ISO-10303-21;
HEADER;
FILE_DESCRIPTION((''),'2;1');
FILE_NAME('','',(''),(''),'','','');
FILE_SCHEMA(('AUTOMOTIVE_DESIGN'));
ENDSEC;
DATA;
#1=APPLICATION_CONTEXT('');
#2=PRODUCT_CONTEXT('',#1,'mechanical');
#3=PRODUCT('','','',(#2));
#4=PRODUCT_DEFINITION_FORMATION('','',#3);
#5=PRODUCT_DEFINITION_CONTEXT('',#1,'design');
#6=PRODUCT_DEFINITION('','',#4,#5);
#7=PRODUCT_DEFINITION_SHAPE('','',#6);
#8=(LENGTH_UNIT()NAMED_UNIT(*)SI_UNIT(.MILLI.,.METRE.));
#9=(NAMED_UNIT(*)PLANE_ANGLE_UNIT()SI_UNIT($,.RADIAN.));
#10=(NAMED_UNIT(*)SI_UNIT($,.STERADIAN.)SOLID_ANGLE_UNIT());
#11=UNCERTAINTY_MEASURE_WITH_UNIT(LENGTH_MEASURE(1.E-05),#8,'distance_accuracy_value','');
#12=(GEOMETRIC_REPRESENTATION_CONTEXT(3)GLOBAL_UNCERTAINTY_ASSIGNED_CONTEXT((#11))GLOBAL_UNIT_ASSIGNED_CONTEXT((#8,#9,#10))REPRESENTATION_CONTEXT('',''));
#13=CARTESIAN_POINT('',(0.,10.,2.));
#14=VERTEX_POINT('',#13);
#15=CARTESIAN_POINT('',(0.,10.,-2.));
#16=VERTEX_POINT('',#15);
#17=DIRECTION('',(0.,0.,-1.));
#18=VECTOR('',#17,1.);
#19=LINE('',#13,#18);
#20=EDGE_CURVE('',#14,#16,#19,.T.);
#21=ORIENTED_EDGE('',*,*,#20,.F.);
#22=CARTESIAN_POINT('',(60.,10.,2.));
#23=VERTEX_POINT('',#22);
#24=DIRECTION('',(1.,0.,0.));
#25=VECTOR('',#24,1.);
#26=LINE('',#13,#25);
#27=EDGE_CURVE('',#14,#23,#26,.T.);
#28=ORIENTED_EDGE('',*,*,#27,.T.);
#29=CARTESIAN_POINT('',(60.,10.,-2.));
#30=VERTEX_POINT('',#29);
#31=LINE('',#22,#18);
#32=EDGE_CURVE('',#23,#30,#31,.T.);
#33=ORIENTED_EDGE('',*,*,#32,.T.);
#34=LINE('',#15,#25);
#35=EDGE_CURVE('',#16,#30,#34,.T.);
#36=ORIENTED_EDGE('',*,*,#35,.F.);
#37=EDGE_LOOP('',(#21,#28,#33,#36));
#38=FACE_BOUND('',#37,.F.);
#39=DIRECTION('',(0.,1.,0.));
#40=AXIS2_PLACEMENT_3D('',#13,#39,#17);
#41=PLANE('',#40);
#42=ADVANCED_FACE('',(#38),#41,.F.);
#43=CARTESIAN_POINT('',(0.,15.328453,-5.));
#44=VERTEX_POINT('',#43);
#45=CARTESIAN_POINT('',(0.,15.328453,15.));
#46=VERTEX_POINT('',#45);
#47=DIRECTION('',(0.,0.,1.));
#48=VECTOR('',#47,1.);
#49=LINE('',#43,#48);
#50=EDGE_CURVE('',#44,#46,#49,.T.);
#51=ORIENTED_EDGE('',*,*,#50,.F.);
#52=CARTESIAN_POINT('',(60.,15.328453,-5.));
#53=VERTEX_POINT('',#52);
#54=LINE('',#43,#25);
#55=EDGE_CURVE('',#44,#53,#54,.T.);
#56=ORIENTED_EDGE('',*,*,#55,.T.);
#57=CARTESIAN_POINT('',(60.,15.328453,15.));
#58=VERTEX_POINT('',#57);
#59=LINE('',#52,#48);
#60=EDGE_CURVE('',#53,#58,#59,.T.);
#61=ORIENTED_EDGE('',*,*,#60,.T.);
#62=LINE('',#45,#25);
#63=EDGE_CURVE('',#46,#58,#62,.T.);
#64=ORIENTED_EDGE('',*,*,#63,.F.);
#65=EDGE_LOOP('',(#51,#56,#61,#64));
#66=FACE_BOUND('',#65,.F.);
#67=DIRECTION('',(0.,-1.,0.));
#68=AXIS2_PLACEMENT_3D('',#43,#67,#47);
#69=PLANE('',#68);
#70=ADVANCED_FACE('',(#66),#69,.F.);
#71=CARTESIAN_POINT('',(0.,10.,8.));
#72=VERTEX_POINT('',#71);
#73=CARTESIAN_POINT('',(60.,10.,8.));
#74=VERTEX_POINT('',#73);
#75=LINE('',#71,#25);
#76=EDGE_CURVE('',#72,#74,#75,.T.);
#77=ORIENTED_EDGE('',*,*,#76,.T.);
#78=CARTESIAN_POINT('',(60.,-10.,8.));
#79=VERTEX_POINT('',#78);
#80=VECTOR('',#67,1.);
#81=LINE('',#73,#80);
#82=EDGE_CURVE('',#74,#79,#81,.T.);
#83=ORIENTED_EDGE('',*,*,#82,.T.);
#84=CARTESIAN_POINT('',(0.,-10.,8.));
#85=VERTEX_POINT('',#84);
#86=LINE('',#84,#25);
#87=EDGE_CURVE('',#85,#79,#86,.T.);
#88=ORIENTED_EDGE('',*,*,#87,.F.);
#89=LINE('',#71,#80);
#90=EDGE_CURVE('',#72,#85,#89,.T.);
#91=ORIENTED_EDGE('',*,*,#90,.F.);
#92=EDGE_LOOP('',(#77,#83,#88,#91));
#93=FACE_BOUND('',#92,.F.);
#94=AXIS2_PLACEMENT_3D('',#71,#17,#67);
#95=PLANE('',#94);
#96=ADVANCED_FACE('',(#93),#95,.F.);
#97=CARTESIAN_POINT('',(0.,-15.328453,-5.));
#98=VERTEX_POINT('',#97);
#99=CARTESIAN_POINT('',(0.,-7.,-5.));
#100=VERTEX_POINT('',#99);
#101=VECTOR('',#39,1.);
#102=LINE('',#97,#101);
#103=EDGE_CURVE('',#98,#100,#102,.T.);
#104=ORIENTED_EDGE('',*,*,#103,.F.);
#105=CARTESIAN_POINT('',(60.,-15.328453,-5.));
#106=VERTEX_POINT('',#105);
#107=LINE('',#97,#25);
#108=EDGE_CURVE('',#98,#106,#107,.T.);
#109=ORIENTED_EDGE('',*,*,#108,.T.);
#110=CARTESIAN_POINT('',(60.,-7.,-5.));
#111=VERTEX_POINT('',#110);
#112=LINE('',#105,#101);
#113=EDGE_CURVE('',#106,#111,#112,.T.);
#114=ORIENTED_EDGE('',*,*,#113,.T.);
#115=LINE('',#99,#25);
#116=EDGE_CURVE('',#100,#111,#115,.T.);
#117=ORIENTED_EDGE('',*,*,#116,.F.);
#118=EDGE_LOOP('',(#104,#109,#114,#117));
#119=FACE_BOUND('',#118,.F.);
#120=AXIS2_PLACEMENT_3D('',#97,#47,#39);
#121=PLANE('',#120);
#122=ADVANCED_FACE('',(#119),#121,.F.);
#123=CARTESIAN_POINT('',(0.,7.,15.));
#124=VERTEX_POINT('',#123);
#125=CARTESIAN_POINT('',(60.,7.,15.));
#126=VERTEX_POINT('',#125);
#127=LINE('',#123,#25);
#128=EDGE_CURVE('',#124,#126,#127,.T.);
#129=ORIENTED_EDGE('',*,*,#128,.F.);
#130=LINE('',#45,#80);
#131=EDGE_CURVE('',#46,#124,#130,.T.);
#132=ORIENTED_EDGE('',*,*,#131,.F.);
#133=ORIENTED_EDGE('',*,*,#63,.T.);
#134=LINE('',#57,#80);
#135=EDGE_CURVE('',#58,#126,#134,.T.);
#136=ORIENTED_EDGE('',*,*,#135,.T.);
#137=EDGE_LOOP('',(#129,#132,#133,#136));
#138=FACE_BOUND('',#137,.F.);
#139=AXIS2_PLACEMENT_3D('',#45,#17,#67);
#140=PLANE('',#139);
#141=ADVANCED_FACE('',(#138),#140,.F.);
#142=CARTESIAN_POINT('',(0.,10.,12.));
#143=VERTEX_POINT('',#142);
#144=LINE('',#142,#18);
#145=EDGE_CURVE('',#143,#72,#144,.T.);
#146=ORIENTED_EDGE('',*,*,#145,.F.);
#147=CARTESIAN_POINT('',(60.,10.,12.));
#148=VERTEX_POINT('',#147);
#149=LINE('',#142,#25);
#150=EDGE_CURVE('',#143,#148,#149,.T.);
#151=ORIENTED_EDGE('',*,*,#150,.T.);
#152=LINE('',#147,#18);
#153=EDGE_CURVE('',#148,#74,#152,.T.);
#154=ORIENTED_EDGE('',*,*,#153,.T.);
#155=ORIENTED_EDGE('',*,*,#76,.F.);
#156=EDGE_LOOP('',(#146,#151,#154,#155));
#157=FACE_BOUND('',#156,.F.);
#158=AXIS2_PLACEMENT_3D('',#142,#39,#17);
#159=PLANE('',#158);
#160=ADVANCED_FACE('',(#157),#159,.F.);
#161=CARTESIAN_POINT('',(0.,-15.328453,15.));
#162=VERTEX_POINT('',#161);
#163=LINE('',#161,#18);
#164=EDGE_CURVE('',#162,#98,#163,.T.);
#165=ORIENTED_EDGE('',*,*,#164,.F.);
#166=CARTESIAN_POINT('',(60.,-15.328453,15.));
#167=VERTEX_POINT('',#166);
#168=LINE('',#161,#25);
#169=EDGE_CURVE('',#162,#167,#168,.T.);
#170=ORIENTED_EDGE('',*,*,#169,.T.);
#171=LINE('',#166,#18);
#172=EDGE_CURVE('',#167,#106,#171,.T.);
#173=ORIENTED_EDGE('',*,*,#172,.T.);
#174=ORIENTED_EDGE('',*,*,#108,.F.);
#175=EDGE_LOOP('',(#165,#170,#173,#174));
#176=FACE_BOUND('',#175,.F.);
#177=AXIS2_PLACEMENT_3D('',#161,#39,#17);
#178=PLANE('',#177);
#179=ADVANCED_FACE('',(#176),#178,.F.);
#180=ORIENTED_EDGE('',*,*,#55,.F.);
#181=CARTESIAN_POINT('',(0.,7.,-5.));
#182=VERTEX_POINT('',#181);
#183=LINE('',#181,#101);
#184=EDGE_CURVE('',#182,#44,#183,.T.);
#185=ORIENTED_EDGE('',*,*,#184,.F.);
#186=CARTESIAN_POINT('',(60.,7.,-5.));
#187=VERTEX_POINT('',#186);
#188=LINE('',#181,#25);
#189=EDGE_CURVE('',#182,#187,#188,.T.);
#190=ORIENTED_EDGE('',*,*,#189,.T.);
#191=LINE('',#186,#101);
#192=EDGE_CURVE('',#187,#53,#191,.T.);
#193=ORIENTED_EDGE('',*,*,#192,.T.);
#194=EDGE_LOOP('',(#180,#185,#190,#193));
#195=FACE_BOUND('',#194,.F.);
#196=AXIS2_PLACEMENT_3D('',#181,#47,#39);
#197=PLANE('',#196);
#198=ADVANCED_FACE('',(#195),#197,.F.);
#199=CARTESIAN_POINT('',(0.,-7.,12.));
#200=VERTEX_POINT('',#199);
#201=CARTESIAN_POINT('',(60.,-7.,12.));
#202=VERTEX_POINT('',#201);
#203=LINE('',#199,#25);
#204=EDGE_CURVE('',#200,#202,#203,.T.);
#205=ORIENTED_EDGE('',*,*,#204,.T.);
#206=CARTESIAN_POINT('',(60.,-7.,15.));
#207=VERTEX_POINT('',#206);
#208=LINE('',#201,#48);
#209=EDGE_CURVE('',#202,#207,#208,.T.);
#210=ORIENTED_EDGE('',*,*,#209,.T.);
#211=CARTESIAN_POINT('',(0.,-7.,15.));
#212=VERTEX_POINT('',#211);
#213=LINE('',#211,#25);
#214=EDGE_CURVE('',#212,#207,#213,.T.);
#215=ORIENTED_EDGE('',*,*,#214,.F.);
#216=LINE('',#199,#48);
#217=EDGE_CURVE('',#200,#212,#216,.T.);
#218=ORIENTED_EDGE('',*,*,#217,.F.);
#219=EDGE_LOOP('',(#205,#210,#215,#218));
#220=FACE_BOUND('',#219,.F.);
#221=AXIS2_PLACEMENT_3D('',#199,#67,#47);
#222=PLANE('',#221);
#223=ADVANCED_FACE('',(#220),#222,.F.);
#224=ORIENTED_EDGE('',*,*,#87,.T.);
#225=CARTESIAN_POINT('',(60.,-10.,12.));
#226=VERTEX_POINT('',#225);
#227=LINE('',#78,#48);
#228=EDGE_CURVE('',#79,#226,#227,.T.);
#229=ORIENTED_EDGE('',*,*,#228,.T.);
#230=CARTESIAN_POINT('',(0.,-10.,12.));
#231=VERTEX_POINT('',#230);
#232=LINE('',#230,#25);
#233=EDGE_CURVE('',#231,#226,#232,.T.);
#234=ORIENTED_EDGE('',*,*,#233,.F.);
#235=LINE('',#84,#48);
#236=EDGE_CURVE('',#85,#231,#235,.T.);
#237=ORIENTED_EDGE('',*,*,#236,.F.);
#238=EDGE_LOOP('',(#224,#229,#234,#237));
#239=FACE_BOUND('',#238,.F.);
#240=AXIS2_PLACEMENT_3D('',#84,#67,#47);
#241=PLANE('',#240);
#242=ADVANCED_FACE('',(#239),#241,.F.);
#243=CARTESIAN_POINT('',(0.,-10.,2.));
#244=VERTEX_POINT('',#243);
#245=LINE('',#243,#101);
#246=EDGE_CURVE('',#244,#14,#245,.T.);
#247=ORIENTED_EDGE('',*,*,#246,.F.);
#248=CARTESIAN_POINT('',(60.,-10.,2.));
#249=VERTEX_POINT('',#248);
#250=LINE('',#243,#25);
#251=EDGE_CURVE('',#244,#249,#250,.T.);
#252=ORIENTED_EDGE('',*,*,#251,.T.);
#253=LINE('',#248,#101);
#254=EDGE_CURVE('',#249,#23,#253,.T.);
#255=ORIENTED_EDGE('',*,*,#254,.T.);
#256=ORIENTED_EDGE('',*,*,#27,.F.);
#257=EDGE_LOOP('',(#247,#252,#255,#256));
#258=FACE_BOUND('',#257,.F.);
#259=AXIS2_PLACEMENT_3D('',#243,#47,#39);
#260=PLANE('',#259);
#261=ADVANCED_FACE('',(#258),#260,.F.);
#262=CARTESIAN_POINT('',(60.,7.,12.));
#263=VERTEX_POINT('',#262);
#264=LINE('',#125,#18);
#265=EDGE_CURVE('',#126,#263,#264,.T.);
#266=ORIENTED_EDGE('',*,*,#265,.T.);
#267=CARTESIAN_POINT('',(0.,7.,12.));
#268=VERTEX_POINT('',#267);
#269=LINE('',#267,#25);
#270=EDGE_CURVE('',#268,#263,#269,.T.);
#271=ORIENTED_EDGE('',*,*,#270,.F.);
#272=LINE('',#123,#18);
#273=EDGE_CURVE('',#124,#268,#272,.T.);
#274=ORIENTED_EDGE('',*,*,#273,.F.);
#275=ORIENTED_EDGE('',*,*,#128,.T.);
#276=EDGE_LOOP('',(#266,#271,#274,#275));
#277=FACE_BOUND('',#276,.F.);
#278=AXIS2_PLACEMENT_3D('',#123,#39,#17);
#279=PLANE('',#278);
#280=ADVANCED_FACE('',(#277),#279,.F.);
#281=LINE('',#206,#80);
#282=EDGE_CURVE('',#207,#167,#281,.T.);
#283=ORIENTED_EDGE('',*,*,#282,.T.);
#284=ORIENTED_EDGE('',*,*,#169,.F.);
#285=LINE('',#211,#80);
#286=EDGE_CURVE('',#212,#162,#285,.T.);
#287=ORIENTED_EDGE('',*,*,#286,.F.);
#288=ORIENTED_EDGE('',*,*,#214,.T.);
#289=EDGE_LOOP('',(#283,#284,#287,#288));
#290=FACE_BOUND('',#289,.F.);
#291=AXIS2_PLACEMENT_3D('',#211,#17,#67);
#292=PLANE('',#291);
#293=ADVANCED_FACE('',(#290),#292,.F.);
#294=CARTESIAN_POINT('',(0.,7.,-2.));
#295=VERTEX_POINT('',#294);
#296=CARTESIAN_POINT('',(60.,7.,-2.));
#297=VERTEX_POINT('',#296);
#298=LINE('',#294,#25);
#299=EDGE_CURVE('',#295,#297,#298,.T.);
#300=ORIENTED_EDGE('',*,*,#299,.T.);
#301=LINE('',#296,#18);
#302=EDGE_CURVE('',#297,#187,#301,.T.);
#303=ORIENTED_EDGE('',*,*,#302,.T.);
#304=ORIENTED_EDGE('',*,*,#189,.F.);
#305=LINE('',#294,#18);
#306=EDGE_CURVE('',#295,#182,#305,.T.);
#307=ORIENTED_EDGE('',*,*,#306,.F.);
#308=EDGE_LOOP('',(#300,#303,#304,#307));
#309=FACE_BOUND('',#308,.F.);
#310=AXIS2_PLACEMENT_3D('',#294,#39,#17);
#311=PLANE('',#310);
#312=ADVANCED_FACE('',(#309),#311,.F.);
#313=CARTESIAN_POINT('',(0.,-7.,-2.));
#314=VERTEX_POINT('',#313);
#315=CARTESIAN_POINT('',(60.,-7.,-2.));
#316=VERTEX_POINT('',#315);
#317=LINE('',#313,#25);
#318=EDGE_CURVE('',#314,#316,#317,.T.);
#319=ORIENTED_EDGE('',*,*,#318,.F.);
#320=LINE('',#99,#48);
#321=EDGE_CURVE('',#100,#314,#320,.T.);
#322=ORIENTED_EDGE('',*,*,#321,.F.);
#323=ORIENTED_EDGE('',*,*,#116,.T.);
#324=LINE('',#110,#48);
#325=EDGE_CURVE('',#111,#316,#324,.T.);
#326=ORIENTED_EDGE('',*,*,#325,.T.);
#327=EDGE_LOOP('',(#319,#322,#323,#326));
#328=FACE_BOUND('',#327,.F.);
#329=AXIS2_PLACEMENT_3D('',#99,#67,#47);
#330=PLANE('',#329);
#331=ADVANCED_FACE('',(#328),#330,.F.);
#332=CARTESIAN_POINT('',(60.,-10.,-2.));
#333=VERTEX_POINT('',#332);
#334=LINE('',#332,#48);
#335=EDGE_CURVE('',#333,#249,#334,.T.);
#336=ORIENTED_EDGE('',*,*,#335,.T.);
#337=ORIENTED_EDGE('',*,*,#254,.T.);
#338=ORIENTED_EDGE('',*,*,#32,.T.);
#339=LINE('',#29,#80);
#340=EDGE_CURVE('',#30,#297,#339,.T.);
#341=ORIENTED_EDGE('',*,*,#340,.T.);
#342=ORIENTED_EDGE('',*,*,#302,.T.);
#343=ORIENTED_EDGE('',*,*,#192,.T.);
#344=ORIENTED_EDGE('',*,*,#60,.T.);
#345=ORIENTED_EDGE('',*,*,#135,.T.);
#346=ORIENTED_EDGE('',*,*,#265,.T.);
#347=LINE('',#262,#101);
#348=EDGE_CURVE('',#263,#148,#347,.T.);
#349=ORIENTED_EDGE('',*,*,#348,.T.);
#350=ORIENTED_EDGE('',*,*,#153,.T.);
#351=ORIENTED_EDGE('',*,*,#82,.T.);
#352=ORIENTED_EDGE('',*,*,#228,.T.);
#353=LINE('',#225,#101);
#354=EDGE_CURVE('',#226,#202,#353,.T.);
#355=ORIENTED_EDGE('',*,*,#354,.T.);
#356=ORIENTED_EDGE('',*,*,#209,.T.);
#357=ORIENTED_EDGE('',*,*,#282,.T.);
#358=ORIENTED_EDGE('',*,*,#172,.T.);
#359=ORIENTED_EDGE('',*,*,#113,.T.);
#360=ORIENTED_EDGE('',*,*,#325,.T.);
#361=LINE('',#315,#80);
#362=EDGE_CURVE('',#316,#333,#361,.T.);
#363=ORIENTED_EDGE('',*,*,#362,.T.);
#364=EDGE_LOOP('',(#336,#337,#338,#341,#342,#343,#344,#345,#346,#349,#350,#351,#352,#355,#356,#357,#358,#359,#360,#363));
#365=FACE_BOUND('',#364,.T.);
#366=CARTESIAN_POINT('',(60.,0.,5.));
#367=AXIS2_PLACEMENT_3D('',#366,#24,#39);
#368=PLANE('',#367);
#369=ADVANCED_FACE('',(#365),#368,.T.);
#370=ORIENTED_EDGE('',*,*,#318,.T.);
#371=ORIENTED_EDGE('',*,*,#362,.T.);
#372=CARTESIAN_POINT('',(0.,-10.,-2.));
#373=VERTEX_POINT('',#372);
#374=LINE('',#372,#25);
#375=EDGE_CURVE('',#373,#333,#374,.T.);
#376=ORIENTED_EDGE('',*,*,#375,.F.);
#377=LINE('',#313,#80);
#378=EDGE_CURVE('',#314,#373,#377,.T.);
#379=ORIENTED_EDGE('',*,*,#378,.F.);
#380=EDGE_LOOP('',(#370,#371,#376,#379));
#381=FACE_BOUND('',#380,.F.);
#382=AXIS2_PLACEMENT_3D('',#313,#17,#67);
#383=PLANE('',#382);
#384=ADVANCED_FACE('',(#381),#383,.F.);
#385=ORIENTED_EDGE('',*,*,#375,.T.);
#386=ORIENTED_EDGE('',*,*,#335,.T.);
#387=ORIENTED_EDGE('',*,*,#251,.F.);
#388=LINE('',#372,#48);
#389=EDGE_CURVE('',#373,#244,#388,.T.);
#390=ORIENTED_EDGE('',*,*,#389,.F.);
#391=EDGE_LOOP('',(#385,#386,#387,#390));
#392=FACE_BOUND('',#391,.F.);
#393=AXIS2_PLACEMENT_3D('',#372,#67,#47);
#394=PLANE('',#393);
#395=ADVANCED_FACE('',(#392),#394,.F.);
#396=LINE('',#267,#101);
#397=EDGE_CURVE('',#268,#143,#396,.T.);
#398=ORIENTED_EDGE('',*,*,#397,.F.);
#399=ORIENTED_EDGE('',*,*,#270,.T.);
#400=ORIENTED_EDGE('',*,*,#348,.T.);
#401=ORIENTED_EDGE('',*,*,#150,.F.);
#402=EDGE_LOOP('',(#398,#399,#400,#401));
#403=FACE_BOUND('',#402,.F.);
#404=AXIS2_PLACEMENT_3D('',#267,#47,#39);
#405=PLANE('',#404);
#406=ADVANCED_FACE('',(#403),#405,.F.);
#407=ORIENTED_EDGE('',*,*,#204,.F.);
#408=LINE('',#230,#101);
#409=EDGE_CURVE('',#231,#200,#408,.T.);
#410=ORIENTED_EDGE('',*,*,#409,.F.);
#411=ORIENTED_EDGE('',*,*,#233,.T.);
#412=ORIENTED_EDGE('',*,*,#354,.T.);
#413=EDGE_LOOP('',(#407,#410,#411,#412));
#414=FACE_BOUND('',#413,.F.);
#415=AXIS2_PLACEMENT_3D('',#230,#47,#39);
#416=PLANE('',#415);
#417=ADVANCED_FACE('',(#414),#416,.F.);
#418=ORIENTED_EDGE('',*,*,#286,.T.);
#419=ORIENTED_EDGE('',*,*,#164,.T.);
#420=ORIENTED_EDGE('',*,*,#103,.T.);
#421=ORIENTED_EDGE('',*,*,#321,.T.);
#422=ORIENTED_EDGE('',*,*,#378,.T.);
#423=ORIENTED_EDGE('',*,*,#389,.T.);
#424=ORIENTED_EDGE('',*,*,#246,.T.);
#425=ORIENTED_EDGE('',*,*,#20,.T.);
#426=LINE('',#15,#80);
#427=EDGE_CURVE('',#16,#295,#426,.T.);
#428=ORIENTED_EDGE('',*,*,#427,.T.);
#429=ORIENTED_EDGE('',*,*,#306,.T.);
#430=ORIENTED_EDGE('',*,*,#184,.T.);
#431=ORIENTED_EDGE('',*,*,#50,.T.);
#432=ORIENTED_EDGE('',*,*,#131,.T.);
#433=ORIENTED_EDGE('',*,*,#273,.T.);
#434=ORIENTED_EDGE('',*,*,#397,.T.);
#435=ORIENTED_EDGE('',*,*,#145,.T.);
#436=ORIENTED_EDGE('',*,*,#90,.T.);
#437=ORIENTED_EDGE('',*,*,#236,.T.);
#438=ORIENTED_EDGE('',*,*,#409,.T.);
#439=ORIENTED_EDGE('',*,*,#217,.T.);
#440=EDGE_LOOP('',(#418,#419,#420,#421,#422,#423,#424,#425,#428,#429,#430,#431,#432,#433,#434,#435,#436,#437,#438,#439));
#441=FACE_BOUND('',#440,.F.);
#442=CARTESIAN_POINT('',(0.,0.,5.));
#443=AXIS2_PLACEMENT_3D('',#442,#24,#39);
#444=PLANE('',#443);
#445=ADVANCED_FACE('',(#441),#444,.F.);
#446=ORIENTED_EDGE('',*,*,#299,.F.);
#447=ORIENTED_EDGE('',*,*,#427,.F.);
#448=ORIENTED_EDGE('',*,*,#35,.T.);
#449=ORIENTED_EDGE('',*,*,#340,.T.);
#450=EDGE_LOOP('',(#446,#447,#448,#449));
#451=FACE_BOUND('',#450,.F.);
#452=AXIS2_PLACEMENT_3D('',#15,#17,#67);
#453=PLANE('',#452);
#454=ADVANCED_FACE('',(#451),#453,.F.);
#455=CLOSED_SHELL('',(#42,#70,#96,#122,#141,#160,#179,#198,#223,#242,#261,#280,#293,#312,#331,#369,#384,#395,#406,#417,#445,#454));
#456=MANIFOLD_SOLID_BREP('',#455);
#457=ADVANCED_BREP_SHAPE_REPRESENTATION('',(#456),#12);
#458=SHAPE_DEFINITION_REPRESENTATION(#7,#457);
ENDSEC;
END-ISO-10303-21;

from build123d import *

# Parameters (mm, degrees)
F1_DEPTH = 60


with BuildPart() as f1:
    # F0 (on Right) → F1 (new body)
    with BuildSketch(Plane.YZ):
        Polygon((15.328453, -5), (15.328453, 5), (15.328453, 15), (7, 15), (7, 12), (10, 12), (10, 8), (-10, 8), (-10, 12), (-7, 12), (-7, 15), (-15.328453, 15), (-15.328453, 5), (-15.328453, -5), (-7, -5), (-7, -2), (-10, -2), (-10, 2), (10, 2), (10, -2), (7, -2), (7, -5), align=None)
    extrude(amount=F1_DEPTH)


solid = f1.part
